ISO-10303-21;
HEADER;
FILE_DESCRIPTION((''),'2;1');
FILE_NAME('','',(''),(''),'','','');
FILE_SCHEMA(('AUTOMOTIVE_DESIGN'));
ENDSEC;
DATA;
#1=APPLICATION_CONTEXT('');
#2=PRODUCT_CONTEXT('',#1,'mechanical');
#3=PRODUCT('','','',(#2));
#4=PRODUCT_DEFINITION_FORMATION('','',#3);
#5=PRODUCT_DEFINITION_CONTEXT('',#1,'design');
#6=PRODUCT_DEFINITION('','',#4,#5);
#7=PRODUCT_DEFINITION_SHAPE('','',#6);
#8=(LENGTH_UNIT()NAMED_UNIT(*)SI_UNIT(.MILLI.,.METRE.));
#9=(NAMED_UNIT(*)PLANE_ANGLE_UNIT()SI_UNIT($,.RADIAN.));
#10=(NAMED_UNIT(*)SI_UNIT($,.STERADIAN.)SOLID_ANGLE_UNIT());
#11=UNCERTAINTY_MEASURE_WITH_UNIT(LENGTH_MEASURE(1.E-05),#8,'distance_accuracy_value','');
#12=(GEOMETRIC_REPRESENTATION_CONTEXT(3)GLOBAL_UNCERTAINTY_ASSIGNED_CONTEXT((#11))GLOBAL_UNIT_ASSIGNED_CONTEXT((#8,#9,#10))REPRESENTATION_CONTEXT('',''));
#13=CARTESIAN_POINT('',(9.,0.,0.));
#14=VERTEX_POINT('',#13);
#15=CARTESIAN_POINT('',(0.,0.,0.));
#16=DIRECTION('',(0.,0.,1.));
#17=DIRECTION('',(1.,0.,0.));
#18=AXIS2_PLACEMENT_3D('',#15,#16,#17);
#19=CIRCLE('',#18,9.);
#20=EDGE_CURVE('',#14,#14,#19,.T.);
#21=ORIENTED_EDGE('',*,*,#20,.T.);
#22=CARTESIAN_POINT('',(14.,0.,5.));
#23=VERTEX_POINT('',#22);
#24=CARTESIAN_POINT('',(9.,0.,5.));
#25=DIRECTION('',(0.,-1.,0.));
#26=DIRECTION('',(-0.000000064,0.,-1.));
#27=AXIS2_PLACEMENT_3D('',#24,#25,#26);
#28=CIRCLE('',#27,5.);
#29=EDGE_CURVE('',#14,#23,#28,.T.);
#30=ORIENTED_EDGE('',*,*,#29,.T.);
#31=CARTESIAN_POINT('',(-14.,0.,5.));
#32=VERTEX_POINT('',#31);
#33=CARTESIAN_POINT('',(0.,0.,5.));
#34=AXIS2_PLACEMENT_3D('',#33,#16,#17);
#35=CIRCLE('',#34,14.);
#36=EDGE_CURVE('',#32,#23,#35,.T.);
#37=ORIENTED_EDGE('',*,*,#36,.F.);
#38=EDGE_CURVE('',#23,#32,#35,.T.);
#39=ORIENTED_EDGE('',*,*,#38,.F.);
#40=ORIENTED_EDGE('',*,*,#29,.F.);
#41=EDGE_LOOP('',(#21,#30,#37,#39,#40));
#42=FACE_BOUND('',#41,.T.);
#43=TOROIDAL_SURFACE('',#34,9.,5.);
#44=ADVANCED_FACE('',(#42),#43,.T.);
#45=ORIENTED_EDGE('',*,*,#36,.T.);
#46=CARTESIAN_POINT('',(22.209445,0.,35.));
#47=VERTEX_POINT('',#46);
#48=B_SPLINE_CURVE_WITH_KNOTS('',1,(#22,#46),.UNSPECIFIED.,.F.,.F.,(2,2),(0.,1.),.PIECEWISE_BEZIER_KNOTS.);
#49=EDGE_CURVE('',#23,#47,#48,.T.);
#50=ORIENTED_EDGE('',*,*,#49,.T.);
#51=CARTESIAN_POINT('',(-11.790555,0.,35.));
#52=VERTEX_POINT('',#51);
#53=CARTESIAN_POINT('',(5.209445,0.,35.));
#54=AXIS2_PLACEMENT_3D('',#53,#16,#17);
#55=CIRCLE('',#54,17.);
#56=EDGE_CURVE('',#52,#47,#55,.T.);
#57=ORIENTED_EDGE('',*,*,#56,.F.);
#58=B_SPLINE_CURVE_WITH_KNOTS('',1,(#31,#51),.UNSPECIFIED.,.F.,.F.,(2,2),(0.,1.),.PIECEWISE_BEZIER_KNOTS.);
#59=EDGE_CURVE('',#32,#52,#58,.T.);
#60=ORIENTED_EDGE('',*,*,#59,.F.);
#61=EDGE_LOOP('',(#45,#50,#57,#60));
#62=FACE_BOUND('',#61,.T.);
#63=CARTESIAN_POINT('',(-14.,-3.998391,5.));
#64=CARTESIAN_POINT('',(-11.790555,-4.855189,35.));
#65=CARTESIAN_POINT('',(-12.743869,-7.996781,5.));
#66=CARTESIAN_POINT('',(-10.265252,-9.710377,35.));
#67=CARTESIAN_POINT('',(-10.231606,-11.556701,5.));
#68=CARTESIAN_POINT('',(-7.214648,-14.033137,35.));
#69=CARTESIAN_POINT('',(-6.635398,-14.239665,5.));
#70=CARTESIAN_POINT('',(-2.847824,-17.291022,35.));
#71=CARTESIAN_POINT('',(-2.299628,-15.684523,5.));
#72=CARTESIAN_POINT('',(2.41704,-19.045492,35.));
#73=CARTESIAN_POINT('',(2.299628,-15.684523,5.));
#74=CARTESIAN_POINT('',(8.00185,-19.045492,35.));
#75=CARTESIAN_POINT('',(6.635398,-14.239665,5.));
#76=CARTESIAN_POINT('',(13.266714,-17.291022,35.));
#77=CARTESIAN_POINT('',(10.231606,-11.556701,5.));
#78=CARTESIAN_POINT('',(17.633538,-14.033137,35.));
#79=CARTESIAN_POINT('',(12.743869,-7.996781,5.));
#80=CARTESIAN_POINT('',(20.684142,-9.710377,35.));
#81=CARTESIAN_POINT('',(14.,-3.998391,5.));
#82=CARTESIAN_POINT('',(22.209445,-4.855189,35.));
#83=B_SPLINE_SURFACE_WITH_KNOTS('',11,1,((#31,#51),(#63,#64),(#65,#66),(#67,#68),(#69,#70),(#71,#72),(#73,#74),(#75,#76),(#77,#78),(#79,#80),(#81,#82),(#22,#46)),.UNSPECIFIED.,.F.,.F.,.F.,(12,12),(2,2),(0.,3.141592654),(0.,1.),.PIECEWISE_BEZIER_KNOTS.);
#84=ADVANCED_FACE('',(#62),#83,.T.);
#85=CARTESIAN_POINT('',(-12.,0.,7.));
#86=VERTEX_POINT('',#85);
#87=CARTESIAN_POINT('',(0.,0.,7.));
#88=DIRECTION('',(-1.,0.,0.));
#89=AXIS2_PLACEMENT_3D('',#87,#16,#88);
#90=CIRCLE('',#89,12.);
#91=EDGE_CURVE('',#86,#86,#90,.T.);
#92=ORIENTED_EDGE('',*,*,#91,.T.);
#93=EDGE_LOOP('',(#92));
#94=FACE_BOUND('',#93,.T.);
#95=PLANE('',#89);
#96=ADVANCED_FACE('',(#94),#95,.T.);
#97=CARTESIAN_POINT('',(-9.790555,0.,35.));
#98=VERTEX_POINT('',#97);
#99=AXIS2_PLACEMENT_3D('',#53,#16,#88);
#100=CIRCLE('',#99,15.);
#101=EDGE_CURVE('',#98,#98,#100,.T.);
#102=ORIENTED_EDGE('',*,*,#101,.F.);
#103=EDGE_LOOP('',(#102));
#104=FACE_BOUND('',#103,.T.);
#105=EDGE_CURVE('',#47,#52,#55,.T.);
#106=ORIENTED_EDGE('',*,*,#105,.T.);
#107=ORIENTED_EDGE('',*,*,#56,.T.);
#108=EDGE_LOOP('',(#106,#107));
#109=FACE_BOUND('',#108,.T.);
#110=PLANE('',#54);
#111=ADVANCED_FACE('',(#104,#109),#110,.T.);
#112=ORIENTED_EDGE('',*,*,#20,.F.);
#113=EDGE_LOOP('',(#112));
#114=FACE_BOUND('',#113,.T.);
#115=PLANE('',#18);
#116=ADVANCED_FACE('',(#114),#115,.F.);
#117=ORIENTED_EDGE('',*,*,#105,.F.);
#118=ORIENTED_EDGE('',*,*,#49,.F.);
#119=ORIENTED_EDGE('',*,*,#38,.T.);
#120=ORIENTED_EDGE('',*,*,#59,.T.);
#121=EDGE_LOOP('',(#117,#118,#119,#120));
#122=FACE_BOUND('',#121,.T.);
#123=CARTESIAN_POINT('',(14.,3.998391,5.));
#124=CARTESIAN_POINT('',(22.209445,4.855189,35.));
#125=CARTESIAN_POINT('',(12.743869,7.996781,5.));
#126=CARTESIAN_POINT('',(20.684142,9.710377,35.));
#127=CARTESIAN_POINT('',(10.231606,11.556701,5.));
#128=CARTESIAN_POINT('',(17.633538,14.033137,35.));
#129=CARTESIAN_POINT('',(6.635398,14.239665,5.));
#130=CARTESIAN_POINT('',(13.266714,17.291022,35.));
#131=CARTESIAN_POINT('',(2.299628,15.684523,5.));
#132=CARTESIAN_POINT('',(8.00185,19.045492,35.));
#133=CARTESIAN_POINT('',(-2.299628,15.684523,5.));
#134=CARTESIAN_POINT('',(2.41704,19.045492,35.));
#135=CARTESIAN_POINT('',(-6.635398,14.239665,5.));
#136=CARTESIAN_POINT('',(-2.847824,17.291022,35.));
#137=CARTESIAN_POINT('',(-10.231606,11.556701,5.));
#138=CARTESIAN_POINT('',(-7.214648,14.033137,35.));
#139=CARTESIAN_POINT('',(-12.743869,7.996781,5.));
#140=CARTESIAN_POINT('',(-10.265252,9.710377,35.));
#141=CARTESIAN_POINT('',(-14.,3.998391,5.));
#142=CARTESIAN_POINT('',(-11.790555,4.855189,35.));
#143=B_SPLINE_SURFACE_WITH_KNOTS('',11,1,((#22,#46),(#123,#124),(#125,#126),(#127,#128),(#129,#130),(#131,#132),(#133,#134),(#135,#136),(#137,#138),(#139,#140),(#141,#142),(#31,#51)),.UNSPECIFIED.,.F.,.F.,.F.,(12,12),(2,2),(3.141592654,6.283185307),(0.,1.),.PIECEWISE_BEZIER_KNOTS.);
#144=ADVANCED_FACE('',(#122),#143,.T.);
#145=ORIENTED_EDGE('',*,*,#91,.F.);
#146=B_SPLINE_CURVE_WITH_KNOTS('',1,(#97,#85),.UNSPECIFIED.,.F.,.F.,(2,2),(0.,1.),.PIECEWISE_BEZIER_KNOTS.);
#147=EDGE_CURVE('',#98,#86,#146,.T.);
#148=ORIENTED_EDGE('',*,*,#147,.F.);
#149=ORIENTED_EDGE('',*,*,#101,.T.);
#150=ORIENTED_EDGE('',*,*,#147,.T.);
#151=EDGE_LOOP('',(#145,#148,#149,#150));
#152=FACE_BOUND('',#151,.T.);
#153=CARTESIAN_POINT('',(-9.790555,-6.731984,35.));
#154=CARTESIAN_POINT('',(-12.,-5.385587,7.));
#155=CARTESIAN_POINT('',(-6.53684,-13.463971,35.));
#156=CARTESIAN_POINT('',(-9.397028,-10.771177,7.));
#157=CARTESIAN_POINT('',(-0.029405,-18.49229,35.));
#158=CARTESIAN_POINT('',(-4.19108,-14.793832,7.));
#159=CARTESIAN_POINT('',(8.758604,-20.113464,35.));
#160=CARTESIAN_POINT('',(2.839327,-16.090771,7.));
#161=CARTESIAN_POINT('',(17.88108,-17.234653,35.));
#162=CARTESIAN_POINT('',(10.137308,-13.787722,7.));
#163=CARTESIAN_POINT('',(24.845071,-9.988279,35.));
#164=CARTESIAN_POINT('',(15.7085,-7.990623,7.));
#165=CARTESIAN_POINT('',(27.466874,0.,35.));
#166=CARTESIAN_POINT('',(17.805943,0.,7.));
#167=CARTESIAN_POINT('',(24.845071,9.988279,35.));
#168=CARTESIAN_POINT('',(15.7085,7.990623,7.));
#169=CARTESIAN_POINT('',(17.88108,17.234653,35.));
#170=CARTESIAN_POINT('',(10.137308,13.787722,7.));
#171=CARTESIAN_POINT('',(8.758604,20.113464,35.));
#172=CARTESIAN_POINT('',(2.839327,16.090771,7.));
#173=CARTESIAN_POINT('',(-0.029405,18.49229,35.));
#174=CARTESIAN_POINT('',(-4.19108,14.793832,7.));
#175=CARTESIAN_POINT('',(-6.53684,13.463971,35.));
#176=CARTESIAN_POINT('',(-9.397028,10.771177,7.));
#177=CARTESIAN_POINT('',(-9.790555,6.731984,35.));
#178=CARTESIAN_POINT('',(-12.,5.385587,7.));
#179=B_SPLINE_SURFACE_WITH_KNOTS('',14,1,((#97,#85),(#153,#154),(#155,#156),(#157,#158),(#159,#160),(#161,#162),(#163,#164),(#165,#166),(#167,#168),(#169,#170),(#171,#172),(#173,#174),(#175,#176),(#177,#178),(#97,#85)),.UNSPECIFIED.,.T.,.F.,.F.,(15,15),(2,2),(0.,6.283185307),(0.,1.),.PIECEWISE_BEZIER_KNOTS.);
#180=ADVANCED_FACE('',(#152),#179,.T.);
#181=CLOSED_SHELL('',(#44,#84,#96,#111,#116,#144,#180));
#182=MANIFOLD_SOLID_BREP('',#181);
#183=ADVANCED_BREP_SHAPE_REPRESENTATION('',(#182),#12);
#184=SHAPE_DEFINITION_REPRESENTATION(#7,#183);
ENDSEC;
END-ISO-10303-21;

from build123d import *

# Parameters (mm, degrees)
SKETCH001_R = 14
SKETCH003_R = 17
SKETCH005_R = 15
SKETCH004_R = 12


with BuildPart() as part:
    # Sketch → Revolution (revolve)
    with BuildSketch(Plane.XZ):
        with BuildLine():
            Line((0, 5), (14, 5))
            ThreePointArc((9, 0), (12.535534, 1.464466), (14, 5))
            Line((0, 0), (9, 0))
            Line((0, 5), (0, 0))
        make_face()
    revolve(axis=Axis((0, 0, 0), (0, 0, 1)))

    # Sketch001 (on Face1 of Revolution) → AdditiveLoft section 0
    with BuildSketch(Plane(origin=(0, 0, 5), x_dir=(-1, 0, 0), z_dir=(0, 0, 1))):
        Circle(SKETCH001_R)
    # Sketch003 → AdditiveLoft section 1
    with BuildSketch(Plane.XY.offset(35)):
        with Locations((5.209445, 0)):
            Circle(SKETCH003_R)
    loft()

    # Sketch005 (on Face5 of AdditiveLoft) → SubtractiveLoft section 0
    with BuildSketch(Plane(origin=(0, 0, 35), x_dir=(-1, 0, 0), z_dir=(0, 0, 1))):
        with Locations((-5.209445, 0)):
            Circle(SKETCH005_R)
    # Sketch004 (on Face1 of Revolution) → SubtractiveLoft section 1
    with BuildSketch(Plane(origin=(0, 0, 7), x_dir=(-1, 0, 0), z_dir=(0, 0, 1))):
        Circle(SKETCH004_R)
    loft(mode=Mode.SUBTRACT)


solid = part.part
